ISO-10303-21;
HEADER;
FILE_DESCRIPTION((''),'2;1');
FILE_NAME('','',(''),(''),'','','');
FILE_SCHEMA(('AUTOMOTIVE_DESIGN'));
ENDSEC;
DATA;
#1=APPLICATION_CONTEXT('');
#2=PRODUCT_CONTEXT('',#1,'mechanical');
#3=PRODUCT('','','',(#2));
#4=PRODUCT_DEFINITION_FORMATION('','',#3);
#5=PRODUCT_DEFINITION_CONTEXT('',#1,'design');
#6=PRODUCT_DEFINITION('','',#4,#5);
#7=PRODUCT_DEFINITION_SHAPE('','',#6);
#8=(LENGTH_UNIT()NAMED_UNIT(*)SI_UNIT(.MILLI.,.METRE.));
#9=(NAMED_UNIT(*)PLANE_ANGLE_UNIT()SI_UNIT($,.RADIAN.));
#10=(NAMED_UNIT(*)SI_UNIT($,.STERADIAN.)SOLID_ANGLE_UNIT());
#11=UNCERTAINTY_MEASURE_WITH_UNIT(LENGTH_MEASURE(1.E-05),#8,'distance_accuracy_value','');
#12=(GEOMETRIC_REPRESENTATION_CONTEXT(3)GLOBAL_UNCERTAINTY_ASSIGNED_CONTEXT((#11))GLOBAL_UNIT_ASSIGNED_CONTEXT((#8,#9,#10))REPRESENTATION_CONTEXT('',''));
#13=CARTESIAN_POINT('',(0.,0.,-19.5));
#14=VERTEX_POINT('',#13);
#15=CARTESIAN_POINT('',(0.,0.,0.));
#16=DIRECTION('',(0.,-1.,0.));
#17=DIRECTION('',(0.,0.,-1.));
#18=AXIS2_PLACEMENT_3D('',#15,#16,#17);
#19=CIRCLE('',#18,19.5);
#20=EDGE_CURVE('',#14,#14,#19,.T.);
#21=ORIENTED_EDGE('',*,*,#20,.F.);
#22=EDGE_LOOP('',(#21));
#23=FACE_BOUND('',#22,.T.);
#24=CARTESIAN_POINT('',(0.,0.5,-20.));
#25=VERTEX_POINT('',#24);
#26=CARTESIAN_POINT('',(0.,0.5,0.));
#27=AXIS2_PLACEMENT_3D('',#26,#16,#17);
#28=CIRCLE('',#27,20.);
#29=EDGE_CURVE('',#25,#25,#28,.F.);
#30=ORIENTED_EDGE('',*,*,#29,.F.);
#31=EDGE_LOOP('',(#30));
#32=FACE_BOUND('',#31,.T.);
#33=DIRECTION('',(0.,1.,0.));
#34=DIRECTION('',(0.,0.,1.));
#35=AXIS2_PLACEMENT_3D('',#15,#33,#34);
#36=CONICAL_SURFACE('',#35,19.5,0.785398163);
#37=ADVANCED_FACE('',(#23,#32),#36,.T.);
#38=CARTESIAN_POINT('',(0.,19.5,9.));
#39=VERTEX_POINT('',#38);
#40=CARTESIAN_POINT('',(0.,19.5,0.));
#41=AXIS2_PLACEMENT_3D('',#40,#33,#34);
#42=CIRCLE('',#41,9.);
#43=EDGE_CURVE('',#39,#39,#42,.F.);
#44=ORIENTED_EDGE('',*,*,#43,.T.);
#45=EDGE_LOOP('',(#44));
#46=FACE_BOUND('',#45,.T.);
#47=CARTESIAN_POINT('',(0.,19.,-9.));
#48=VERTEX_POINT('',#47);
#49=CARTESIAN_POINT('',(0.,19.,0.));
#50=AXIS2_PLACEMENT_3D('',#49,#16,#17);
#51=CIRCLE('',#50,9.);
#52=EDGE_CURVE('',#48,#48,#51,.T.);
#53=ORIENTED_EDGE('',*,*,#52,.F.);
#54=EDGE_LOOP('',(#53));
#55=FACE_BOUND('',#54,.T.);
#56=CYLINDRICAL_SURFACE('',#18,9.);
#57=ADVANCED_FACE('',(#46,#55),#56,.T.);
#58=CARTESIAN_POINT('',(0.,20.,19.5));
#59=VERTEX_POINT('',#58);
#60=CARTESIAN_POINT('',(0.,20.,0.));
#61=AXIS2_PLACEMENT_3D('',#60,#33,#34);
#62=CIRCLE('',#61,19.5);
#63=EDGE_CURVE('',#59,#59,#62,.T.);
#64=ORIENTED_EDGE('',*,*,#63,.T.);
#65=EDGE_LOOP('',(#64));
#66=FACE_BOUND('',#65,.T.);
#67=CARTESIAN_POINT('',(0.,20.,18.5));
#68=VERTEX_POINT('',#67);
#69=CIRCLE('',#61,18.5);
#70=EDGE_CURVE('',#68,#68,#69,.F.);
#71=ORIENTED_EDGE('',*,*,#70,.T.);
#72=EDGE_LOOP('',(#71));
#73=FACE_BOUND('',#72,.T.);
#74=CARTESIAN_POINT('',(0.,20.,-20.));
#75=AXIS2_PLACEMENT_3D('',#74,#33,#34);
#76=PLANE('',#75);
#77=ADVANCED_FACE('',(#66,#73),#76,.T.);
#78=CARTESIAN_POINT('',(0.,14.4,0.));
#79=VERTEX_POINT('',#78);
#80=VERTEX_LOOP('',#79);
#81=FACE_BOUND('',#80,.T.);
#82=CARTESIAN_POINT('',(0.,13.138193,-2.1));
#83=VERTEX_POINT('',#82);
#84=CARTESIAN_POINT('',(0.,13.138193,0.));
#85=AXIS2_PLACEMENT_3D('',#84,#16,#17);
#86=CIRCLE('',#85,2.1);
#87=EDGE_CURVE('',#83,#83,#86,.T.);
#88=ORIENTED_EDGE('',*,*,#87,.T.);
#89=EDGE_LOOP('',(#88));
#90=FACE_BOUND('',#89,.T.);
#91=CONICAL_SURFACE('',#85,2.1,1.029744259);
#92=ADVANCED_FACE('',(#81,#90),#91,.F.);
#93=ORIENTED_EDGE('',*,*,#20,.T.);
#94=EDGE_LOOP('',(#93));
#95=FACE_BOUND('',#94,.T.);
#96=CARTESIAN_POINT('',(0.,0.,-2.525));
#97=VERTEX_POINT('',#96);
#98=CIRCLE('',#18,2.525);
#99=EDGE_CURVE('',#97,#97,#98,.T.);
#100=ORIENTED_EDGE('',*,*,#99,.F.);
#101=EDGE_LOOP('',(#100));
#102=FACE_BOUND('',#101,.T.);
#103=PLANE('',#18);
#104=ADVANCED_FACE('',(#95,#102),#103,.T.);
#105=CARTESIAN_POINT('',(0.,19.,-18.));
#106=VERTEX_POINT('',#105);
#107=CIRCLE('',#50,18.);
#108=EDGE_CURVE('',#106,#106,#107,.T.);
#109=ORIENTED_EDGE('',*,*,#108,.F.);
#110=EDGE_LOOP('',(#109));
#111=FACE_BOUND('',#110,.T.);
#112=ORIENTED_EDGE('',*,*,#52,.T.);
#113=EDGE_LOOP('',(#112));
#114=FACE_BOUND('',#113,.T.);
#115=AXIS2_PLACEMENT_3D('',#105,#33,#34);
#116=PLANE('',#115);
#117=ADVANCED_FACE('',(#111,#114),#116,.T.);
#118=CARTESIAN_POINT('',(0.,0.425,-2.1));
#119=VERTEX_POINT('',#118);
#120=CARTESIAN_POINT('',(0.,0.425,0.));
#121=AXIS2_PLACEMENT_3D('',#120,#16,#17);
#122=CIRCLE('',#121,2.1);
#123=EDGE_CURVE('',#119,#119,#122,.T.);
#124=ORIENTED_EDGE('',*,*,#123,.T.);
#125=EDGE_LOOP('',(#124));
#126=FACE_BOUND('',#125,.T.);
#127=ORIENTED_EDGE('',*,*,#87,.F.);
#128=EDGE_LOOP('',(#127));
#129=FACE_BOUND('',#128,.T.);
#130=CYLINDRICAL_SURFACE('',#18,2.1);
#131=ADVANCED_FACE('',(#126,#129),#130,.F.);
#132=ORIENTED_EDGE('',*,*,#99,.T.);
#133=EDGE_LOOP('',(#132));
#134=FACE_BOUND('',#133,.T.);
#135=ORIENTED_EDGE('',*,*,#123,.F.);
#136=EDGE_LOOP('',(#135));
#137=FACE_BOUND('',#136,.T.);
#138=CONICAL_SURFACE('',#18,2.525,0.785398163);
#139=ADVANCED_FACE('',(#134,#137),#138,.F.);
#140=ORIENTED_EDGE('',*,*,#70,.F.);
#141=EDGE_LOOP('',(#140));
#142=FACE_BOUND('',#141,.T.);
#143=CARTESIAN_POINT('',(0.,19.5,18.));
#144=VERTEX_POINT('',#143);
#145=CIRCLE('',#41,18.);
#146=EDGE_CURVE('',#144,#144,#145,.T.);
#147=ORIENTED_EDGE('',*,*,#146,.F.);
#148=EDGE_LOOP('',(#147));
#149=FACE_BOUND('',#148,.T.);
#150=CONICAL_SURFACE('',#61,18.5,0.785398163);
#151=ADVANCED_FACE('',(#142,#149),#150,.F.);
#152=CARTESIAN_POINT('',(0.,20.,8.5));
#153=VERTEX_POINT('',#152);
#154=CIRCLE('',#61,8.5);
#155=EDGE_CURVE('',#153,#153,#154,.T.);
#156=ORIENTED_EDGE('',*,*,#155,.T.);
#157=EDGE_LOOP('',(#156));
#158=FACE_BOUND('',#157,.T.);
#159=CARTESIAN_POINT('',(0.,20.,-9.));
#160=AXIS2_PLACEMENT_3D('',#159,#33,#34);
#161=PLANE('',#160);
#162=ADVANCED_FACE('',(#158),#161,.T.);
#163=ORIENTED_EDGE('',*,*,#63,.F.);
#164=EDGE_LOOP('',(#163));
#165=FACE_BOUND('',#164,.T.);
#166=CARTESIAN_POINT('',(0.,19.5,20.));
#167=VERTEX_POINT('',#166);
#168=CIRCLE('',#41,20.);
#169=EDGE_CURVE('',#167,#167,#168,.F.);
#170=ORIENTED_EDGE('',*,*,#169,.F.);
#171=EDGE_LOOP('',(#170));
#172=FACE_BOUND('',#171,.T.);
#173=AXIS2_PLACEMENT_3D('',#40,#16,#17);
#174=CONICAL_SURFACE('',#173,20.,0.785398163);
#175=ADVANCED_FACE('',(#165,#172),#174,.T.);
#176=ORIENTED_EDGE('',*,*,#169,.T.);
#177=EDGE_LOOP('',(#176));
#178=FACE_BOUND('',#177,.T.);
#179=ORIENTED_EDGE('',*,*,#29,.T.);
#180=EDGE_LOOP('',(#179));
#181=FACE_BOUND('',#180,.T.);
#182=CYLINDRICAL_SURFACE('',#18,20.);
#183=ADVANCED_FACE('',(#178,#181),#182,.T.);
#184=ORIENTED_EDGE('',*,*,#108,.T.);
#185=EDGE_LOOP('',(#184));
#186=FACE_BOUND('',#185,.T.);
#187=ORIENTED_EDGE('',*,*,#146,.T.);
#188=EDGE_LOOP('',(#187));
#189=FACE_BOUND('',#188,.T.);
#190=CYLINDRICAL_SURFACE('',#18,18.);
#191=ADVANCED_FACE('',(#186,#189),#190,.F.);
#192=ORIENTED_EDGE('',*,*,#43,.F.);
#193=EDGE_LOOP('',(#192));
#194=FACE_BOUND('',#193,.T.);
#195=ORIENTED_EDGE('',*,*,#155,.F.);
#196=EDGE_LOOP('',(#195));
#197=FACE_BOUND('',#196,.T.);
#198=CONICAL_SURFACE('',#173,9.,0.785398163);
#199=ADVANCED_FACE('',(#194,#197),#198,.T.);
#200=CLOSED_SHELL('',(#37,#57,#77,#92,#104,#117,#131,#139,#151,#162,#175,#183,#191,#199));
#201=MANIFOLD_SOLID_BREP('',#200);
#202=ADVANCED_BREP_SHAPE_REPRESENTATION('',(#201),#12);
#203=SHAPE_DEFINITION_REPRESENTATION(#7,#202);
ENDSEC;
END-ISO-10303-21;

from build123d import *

# Parameters (mm, degrees)
CHAMFER1_SIZE                   = 0.5
M5X0_8_TAPPED_HOLE1_D           = 4.2
M5X0_8_TAPPED_HOLE1_DEPTH       = 13.1381927
M5X0_8_TAPPED_HOLE1_CSINK_D     = 5.05
M5X0_8_TAPPED_HOLE1_CSINK_ANGLE = 90
M5X0_8_TAPPED_HOLE1_TIP         = 1.2618073


with BuildPart() as part:
    # Sketch1 → Revolve1 (revolve)
    with BuildSketch(Plane(origin=(0, 0, 0), x_dir=(0, 0, -1), z_dir=(1, 0, 0))):
        Polygon((0, 0), (20, 0), (20, 20), (18, 20), (18, 19), (9, 19), (9, 20), (0, 20), align=None)
    revolve(axis=Axis((0, 0, 0), (0, 1, 0)))

    # Chamfer1
    chamfer1_edges = [part.edges().sort_by_distance(p)[0] for p in [
        (0, 20, 9),
        (0, 20, 18),
        (0, 20, 20),
        (0, 0, 20),
    ]]
    chamfer(chamfer1_edges, length=CHAMFER1_SIZE)

    # M5x0.8 Tapped Hole1
    with Locations(Plane(origin=(0, 0, 0), x_dir=(-1, 0, 0), z_dir=(0, -1, 0))):
        with Locations((0, 0)):
            CounterSinkHole(M5X0_8_TAPPED_HOLE1_D / 2, M5X0_8_TAPPED_HOLE1_CSINK_D / 2, depth=M5X0_8_TAPPED_HOLE1_DEPTH, counter_sink_angle=M5X0_8_TAPPED_HOLE1_CSINK_ANGLE)
            with Locations((0, 0, -(M5X0_8_TAPPED_HOLE1_DEPTH + M5X0_8_TAPPED_HOLE1_TIP / 2))):  # 118° drill point
                Cone(0, M5X0_8_TAPPED_HOLE1_D / 2, M5X0_8_TAPPED_HOLE1_TIP, mode=Mode.SUBTRACT)


solid = part.part
